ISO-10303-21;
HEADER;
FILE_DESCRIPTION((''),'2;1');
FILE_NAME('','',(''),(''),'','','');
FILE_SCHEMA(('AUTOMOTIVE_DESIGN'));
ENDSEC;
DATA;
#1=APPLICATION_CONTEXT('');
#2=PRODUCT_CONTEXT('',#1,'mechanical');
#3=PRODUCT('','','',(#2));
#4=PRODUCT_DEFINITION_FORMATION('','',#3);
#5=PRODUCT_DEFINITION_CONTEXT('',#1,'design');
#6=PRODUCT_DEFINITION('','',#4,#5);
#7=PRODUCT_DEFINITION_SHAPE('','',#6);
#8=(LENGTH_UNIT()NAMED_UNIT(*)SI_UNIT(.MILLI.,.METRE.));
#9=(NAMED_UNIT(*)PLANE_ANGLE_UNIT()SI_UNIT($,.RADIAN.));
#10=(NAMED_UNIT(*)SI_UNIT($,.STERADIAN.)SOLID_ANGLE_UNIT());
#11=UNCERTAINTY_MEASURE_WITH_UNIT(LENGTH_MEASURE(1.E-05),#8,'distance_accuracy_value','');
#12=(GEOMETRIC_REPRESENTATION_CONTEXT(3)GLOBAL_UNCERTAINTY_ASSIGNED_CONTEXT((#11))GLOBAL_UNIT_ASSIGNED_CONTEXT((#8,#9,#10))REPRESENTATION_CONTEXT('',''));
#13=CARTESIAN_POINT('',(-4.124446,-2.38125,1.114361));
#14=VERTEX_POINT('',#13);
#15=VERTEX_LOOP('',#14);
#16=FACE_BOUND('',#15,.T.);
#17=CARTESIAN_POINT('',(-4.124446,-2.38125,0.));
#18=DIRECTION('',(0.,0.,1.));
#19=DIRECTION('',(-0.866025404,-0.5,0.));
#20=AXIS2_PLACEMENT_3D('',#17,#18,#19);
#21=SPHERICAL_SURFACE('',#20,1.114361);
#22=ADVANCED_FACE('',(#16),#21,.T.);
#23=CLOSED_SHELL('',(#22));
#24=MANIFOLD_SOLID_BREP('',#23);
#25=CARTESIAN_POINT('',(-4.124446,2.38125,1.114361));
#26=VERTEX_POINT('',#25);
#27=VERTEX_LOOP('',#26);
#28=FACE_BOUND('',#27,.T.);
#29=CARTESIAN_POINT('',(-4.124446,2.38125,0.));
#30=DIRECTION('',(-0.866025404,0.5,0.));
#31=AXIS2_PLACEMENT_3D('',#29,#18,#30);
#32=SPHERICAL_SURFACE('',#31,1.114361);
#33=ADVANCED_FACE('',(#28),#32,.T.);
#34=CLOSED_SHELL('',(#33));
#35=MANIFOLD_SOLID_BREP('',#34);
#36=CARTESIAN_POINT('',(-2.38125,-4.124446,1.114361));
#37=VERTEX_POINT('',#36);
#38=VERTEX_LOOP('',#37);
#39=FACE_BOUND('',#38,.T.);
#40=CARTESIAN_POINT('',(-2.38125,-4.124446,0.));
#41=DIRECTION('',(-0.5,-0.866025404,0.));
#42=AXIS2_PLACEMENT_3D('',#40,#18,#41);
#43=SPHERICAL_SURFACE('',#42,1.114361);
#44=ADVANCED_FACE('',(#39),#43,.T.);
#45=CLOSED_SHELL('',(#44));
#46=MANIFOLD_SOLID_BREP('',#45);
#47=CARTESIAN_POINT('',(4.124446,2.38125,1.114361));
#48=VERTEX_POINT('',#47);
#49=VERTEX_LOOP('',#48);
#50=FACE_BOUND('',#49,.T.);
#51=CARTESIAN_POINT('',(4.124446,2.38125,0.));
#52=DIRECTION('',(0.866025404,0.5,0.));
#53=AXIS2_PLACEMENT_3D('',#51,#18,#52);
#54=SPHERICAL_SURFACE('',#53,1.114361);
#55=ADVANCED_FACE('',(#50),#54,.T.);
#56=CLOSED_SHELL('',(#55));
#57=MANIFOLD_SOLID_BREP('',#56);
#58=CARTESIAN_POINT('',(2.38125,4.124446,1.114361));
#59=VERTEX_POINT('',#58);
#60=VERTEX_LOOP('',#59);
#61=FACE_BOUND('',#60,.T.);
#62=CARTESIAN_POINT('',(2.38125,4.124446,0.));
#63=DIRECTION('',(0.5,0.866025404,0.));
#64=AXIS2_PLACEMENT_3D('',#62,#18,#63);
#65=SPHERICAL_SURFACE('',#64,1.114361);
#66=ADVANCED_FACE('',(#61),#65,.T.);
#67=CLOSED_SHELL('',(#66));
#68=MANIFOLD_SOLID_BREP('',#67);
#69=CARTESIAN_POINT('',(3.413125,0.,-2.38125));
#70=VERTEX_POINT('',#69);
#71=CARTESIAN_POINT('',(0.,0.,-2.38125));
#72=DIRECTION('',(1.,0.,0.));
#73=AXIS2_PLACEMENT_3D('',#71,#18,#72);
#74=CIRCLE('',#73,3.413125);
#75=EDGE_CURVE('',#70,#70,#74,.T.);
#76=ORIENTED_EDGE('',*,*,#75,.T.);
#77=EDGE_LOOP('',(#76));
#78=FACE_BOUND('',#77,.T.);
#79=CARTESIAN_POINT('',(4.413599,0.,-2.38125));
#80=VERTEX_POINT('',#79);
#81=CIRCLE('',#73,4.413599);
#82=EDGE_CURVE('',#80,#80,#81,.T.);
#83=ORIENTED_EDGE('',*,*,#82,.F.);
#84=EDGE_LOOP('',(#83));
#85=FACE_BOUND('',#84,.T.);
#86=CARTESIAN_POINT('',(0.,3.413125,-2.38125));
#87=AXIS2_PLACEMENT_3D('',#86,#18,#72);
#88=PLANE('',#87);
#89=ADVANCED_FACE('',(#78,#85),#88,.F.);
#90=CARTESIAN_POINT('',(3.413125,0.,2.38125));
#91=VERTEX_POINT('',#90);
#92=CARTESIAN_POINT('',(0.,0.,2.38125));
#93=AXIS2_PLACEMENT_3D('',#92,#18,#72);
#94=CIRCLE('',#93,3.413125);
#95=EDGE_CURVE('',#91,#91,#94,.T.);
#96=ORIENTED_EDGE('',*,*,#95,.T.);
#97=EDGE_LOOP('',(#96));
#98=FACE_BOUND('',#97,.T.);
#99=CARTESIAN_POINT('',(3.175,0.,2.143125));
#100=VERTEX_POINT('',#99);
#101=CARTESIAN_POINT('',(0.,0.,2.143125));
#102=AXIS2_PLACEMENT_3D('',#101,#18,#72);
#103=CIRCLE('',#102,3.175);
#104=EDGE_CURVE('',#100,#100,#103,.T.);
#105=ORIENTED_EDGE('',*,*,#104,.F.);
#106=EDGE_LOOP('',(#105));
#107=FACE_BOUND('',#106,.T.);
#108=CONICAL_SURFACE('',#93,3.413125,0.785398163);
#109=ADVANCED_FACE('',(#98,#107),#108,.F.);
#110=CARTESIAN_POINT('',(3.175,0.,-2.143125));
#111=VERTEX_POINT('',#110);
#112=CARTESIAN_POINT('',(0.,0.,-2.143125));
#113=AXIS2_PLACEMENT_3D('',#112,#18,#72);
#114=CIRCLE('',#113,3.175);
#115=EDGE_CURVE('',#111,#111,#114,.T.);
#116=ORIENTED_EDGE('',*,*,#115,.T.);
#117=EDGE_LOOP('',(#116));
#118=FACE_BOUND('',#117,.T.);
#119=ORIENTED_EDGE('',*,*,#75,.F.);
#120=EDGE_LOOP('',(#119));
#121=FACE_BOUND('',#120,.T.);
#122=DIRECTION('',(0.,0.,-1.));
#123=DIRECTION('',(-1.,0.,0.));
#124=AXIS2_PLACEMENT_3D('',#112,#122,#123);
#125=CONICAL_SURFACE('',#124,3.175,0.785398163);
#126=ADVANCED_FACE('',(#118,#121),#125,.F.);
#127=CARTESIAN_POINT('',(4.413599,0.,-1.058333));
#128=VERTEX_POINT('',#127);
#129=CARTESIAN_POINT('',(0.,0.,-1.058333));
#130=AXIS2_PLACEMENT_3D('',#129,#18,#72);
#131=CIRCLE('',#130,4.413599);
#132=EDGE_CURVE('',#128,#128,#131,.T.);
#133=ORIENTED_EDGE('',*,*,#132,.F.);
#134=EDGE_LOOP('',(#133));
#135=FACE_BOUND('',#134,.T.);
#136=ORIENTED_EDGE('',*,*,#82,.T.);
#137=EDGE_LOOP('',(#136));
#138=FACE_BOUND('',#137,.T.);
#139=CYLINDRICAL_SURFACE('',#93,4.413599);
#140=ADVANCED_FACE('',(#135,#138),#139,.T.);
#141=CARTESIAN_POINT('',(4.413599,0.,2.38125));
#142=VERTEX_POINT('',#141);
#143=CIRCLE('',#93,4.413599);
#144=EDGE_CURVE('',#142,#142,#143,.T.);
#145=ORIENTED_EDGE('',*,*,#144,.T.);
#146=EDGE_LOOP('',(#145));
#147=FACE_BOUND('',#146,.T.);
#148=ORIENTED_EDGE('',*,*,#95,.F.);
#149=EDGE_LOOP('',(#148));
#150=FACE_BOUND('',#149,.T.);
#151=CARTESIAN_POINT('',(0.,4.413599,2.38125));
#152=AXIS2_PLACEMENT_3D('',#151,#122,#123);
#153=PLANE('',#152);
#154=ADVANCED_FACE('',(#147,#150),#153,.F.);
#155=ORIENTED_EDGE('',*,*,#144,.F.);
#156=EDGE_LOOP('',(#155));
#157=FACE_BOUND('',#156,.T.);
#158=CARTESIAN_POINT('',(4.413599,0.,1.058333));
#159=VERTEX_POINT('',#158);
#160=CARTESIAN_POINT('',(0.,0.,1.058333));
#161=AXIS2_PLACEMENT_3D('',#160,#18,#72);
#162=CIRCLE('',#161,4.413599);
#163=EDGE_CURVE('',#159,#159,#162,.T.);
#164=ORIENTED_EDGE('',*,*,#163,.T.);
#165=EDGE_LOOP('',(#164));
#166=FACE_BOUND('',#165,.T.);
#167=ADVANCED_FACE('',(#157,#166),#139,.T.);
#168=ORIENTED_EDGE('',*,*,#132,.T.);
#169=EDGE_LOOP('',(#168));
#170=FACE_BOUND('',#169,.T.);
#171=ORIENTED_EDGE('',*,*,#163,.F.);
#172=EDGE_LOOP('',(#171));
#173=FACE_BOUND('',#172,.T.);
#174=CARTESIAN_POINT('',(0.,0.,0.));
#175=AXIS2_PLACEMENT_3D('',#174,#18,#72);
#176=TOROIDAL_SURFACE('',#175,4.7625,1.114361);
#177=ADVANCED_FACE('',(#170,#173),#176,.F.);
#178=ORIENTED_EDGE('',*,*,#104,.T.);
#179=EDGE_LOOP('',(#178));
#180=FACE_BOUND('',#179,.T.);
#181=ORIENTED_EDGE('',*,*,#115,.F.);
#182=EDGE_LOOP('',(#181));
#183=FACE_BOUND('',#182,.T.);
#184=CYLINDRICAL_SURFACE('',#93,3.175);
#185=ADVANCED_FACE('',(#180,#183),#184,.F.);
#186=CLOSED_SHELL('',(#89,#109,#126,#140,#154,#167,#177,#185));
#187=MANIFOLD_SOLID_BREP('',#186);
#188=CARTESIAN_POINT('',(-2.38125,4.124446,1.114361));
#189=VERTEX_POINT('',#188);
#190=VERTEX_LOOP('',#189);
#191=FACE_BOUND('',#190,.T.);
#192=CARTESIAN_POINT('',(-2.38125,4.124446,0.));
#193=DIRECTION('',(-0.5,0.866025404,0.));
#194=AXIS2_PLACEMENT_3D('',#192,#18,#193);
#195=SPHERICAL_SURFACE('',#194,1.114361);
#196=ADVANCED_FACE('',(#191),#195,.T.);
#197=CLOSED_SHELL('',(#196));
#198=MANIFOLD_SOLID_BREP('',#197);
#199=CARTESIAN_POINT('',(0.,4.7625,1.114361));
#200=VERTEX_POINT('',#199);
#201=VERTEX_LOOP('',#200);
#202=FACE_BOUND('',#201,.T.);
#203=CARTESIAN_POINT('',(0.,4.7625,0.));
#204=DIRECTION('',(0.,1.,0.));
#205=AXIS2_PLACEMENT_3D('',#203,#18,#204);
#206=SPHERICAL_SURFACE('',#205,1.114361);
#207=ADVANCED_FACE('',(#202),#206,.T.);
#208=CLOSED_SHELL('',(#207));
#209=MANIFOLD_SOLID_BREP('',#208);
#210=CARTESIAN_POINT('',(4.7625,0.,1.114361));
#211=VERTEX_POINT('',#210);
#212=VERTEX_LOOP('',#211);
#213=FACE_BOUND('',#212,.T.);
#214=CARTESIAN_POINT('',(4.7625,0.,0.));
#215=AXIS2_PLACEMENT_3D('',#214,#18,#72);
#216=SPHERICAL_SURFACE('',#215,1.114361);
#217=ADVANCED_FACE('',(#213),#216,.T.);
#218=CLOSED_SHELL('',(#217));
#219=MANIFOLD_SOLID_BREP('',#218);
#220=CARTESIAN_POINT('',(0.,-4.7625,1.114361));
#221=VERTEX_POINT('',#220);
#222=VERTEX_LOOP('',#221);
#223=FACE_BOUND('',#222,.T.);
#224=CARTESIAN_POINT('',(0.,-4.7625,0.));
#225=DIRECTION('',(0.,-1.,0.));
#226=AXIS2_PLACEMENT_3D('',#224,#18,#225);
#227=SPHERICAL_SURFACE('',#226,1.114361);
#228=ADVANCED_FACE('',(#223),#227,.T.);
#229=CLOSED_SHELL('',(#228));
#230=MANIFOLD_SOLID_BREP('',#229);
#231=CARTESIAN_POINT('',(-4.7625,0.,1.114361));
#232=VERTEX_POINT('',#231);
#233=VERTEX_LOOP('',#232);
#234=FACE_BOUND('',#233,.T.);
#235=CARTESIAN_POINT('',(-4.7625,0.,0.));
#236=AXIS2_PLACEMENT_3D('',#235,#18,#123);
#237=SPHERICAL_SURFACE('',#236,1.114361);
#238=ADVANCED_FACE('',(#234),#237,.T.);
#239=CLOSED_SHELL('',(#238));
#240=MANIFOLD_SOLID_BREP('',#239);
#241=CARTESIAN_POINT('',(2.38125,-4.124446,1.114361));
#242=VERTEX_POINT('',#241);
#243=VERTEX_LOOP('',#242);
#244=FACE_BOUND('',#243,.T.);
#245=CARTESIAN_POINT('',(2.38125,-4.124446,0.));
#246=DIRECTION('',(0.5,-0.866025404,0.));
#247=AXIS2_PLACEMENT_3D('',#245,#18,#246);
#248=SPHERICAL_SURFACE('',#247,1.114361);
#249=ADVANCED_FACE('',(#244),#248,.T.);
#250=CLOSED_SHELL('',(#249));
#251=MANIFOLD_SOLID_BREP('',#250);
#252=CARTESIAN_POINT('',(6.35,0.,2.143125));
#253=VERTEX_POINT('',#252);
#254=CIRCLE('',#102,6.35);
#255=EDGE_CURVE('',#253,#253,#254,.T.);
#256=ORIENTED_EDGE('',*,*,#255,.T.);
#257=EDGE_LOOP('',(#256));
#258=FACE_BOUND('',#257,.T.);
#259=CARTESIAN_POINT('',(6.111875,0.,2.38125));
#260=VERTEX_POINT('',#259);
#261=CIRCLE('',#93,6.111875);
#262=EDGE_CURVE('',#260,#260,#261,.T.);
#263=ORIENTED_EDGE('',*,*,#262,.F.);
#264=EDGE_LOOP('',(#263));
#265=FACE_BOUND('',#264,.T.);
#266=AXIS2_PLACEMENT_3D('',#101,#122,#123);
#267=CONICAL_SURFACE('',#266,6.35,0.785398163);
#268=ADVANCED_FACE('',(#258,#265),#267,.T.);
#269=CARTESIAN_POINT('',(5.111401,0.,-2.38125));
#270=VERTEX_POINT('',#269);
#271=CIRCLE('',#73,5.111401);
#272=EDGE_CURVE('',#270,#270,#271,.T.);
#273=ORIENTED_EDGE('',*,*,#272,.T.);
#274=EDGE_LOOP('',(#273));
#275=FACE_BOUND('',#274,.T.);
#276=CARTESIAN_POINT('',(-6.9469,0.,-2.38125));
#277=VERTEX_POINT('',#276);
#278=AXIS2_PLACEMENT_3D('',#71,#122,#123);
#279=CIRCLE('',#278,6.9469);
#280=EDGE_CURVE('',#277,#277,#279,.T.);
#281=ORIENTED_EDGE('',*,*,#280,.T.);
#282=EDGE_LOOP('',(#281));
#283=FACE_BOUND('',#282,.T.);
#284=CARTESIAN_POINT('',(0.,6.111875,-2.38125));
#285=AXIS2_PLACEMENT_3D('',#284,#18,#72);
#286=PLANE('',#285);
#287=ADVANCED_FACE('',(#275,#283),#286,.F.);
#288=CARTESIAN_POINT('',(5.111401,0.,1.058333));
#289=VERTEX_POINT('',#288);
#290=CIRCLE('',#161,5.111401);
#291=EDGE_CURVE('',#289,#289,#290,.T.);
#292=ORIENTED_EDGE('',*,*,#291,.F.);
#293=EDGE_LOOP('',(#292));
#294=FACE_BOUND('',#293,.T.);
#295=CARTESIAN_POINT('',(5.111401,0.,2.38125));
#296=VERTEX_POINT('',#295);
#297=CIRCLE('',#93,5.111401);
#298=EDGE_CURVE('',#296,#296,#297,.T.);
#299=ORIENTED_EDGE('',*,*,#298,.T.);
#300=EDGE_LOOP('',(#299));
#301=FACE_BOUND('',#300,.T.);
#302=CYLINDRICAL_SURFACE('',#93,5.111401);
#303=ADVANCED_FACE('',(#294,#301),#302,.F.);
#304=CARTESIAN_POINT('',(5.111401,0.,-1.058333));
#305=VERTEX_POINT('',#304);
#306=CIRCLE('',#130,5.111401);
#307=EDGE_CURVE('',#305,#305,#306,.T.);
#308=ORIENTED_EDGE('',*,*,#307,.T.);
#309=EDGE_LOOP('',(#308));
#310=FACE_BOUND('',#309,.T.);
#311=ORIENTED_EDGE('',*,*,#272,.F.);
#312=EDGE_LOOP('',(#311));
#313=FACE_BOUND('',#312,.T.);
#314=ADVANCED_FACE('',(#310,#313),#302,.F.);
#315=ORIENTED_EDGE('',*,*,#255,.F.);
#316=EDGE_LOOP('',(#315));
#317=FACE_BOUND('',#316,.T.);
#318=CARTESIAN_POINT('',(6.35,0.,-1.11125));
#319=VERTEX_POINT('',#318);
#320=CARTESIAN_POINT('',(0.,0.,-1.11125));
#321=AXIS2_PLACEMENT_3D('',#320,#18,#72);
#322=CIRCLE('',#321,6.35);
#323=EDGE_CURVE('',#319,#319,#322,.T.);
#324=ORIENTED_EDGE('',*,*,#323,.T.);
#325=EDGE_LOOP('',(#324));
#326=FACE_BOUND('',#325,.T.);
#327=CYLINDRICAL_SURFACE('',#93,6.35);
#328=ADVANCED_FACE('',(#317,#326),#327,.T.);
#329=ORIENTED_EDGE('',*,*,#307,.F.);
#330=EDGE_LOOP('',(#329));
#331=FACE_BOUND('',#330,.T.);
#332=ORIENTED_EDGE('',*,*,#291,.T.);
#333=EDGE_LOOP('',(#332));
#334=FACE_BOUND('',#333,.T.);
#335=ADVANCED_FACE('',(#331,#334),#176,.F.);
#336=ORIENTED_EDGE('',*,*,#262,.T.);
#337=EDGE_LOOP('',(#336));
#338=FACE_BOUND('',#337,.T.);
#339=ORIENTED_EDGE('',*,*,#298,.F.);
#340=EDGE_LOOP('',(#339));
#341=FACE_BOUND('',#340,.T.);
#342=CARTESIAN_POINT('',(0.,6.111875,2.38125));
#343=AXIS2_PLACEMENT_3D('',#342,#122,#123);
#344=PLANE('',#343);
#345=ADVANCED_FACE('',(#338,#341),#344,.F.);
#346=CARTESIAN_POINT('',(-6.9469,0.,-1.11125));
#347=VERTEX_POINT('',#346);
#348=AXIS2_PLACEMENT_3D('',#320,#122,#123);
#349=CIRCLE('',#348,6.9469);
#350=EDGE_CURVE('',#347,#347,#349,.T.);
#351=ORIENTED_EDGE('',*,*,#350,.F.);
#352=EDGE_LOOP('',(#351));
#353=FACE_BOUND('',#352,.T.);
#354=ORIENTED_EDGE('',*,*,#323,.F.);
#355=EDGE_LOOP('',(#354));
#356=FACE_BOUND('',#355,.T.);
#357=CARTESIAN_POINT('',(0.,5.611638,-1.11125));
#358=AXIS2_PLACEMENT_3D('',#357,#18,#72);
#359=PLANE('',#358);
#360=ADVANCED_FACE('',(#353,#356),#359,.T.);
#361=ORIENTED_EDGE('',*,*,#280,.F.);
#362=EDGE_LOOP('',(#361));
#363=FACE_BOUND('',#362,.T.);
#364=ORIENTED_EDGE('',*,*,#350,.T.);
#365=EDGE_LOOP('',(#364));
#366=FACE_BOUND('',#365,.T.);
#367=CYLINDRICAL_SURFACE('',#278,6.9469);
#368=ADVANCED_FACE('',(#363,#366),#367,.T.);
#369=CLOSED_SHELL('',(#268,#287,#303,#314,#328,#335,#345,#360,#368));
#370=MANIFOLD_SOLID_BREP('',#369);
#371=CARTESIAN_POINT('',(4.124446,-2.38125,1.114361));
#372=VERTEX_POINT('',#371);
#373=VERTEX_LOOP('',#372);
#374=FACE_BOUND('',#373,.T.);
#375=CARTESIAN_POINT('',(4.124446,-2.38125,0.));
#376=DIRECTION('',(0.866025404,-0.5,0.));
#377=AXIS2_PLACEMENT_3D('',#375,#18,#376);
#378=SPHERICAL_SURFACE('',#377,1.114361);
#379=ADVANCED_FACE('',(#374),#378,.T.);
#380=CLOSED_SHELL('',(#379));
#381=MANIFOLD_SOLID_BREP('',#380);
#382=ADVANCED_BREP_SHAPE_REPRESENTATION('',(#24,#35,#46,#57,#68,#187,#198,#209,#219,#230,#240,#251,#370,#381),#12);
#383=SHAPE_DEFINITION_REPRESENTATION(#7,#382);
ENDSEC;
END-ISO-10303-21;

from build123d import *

# Parameters (mm, degrees)
SKETCH5_W         = 1.27
SKETCH5_H         = 1.335261951
CIRPATTERN1_COUNT = 12


with BuildPart() as part:
    # Sketch1 → Revolve1 (revolve)
    with BuildSketch(Plane(origin=(0, 0, 0), x_dir=(0, 0, -1), z_dir=(1, 0, 0))):
        with BuildLine():
            Line((2.143125, 6.35), (-2.143125, 6.35))
            Line((-2.143125, 6.35), (-2.38125, 6.111875))
            Line((-2.38125, 6.111875), (-2.38125, 5.111401099))
            Line((-2.38125, 5.111401099), (-1.058333333, 5.111401099))
            ThreePointArc((-1.058333333, 5.111401099), (0, 5.876861441), (1.058333333, 5.111401099))
            Line((1.058333333, 5.111401099), (2.38125, 5.111401099))
            Line((2.38125, 5.111401099), (2.38125, 6.111875))
            Line((2.38125, 6.111875), (2.143125, 6.35))
        make_face()
    revolve(axis=Axis((0, 0, 2.38125), (0, 0, -1)))

    # Sketch5 → Revolve5 (revolve)
    with BuildSketch(Plane(origin=(0, 0, 0), x_dir=(0, 0, -1), z_dir=(1, 0, 0))):
        with Locations((1.74625, 6.279269025)):
            Rectangle(SKETCH5_W, SKETCH5_H)
    revolve(axis=Axis((0, 0, -2.38125), (0, 0, 1)))


with BuildPart() as body_2:
    # Sketch3 → Revolve3 (revolve)
    with BuildSketch(Plane(origin=(0, 0, 0), x_dir=(0, 0, -1), z_dir=(1, 0, 0))):
        with BuildLine():
            Line((-1.058333333, 4.413598901), (-2.38125, 4.413598901))
            Line((-2.38125, 4.413598901), (-2.38125, 3.413125))
            Line((-2.38125, 3.413125), (-2.143125, 3.175))
            Line((-2.143125, 3.175), (2.143125, 3.175))
            Line((2.143125, 3.175), (2.38125, 3.413125))
            Line((2.38125, 3.413125), (2.38125, 4.413598901))
            Line((2.38125, 4.413598901), (1.058333333, 4.413598901))
            ThreePointArc((1.058333333, 4.413598901), (0, 3.648138559), (-1.058333333, 4.413598901))
        make_face()
    revolve(axis=Axis((0, 0, 2.38125), (0, 0, -1)))


with BuildPart() as body_3:
    # Sketch4 → Revolve4 (revolve)
    with BuildSketch(Plane(origin=(0, 0, 0), x_dir=(0, 0, -1), z_dir=(1, 0, 0))):
        with BuildLine():
            Line((-1.114361441, 4.7625), (1.114361441, 4.7625))
            ThreePointArc((1.114361441, 4.7625), (0, 5.876861441), (-1.114361441, 4.7625))
        make_face()
    revolve(axis=Axis((0, 4.7625, 1.114361441), (0, 0, -1)))


with BuildPart() as cirpattern1_1:
    # CirPattern1: pattern copy
    add(body_3.part.rotate(Axis((0, 0, -2.38125), (0, 0, 1)), 1 * 360 / CIRPATTERN1_COUNT))


with BuildPart() as cirpattern1_2:
    # CirPattern1: pattern copy
    add(body_3.part.rotate(Axis((0, 0, -2.38125), (0, 0, 1)), 2 * 360 / CIRPATTERN1_COUNT))


with BuildPart() as cirpattern1_3:
    # CirPattern1: pattern copy
    add(body_3.part.rotate(Axis((0, 0, -2.38125), (0, 0, 1)), 3 * 360 / CIRPATTERN1_COUNT))


with BuildPart() as cirpattern1_4:
    # CirPattern1: pattern copy
    add(body_3.part.rotate(Axis((0, 0, -2.38125), (0, 0, 1)), 4 * 360 / CIRPATTERN1_COUNT))


with BuildPart() as cirpattern1_5:
    # CirPattern1: pattern copy
    add(body_3.part.rotate(Axis((0, 0, -2.38125), (0, 0, 1)), 5 * 360 / CIRPATTERN1_COUNT))


with BuildPart() as cirpattern1_6:
    # CirPattern1: pattern copy
    add(body_3.part.rotate(Axis((0, 0, -2.38125), (0, 0, 1)), 6 * 360 / CIRPATTERN1_COUNT))


with BuildPart() as cirpattern1_7:
    # CirPattern1: pattern copy
    add(body_3.part.rotate(Axis((0, 0, -2.38125), (0, 0, 1)), 7 * 360 / CIRPATTERN1_COUNT))


with BuildPart() as cirpattern1_8:
    # CirPattern1: pattern copy
    add(body_3.part.rotate(Axis((0, 0, -2.38125), (0, 0, 1)), 8 * 360 / CIRPATTERN1_COUNT))


with BuildPart() as cirpattern1_9:
    # CirPattern1: pattern copy
    add(body_3.part.rotate(Axis((0, 0, -2.38125), (0, 0, 1)), 9 * 360 / CIRPATTERN1_COUNT))


with BuildPart() as cirpattern1_10:
    # CirPattern1: pattern copy
    add(body_3.part.rotate(Axis((0, 0, -2.38125), (0, 0, 1)), 10 * 360 / CIRPATTERN1_COUNT))


with BuildPart() as cirpattern1_11:
    # CirPattern1: pattern copy
    add(body_3.part.rotate(Axis((0, 0, -2.38125), (0, 0, 1)), 11 * 360 / CIRPATTERN1_COUNT))


solid = Compound([part.part, body_2.part, body_3.part, cirpattern1_1.part, cirpattern1_2.part, cirpattern1_3.part, cirpattern1_4.part, cirpattern1_5.part, cirpattern1_6.part, cirpattern1_7.part, cirpattern1_8.part, cirpattern1_9.part, cirpattern1_10.part, cirpattern1_11.part])
